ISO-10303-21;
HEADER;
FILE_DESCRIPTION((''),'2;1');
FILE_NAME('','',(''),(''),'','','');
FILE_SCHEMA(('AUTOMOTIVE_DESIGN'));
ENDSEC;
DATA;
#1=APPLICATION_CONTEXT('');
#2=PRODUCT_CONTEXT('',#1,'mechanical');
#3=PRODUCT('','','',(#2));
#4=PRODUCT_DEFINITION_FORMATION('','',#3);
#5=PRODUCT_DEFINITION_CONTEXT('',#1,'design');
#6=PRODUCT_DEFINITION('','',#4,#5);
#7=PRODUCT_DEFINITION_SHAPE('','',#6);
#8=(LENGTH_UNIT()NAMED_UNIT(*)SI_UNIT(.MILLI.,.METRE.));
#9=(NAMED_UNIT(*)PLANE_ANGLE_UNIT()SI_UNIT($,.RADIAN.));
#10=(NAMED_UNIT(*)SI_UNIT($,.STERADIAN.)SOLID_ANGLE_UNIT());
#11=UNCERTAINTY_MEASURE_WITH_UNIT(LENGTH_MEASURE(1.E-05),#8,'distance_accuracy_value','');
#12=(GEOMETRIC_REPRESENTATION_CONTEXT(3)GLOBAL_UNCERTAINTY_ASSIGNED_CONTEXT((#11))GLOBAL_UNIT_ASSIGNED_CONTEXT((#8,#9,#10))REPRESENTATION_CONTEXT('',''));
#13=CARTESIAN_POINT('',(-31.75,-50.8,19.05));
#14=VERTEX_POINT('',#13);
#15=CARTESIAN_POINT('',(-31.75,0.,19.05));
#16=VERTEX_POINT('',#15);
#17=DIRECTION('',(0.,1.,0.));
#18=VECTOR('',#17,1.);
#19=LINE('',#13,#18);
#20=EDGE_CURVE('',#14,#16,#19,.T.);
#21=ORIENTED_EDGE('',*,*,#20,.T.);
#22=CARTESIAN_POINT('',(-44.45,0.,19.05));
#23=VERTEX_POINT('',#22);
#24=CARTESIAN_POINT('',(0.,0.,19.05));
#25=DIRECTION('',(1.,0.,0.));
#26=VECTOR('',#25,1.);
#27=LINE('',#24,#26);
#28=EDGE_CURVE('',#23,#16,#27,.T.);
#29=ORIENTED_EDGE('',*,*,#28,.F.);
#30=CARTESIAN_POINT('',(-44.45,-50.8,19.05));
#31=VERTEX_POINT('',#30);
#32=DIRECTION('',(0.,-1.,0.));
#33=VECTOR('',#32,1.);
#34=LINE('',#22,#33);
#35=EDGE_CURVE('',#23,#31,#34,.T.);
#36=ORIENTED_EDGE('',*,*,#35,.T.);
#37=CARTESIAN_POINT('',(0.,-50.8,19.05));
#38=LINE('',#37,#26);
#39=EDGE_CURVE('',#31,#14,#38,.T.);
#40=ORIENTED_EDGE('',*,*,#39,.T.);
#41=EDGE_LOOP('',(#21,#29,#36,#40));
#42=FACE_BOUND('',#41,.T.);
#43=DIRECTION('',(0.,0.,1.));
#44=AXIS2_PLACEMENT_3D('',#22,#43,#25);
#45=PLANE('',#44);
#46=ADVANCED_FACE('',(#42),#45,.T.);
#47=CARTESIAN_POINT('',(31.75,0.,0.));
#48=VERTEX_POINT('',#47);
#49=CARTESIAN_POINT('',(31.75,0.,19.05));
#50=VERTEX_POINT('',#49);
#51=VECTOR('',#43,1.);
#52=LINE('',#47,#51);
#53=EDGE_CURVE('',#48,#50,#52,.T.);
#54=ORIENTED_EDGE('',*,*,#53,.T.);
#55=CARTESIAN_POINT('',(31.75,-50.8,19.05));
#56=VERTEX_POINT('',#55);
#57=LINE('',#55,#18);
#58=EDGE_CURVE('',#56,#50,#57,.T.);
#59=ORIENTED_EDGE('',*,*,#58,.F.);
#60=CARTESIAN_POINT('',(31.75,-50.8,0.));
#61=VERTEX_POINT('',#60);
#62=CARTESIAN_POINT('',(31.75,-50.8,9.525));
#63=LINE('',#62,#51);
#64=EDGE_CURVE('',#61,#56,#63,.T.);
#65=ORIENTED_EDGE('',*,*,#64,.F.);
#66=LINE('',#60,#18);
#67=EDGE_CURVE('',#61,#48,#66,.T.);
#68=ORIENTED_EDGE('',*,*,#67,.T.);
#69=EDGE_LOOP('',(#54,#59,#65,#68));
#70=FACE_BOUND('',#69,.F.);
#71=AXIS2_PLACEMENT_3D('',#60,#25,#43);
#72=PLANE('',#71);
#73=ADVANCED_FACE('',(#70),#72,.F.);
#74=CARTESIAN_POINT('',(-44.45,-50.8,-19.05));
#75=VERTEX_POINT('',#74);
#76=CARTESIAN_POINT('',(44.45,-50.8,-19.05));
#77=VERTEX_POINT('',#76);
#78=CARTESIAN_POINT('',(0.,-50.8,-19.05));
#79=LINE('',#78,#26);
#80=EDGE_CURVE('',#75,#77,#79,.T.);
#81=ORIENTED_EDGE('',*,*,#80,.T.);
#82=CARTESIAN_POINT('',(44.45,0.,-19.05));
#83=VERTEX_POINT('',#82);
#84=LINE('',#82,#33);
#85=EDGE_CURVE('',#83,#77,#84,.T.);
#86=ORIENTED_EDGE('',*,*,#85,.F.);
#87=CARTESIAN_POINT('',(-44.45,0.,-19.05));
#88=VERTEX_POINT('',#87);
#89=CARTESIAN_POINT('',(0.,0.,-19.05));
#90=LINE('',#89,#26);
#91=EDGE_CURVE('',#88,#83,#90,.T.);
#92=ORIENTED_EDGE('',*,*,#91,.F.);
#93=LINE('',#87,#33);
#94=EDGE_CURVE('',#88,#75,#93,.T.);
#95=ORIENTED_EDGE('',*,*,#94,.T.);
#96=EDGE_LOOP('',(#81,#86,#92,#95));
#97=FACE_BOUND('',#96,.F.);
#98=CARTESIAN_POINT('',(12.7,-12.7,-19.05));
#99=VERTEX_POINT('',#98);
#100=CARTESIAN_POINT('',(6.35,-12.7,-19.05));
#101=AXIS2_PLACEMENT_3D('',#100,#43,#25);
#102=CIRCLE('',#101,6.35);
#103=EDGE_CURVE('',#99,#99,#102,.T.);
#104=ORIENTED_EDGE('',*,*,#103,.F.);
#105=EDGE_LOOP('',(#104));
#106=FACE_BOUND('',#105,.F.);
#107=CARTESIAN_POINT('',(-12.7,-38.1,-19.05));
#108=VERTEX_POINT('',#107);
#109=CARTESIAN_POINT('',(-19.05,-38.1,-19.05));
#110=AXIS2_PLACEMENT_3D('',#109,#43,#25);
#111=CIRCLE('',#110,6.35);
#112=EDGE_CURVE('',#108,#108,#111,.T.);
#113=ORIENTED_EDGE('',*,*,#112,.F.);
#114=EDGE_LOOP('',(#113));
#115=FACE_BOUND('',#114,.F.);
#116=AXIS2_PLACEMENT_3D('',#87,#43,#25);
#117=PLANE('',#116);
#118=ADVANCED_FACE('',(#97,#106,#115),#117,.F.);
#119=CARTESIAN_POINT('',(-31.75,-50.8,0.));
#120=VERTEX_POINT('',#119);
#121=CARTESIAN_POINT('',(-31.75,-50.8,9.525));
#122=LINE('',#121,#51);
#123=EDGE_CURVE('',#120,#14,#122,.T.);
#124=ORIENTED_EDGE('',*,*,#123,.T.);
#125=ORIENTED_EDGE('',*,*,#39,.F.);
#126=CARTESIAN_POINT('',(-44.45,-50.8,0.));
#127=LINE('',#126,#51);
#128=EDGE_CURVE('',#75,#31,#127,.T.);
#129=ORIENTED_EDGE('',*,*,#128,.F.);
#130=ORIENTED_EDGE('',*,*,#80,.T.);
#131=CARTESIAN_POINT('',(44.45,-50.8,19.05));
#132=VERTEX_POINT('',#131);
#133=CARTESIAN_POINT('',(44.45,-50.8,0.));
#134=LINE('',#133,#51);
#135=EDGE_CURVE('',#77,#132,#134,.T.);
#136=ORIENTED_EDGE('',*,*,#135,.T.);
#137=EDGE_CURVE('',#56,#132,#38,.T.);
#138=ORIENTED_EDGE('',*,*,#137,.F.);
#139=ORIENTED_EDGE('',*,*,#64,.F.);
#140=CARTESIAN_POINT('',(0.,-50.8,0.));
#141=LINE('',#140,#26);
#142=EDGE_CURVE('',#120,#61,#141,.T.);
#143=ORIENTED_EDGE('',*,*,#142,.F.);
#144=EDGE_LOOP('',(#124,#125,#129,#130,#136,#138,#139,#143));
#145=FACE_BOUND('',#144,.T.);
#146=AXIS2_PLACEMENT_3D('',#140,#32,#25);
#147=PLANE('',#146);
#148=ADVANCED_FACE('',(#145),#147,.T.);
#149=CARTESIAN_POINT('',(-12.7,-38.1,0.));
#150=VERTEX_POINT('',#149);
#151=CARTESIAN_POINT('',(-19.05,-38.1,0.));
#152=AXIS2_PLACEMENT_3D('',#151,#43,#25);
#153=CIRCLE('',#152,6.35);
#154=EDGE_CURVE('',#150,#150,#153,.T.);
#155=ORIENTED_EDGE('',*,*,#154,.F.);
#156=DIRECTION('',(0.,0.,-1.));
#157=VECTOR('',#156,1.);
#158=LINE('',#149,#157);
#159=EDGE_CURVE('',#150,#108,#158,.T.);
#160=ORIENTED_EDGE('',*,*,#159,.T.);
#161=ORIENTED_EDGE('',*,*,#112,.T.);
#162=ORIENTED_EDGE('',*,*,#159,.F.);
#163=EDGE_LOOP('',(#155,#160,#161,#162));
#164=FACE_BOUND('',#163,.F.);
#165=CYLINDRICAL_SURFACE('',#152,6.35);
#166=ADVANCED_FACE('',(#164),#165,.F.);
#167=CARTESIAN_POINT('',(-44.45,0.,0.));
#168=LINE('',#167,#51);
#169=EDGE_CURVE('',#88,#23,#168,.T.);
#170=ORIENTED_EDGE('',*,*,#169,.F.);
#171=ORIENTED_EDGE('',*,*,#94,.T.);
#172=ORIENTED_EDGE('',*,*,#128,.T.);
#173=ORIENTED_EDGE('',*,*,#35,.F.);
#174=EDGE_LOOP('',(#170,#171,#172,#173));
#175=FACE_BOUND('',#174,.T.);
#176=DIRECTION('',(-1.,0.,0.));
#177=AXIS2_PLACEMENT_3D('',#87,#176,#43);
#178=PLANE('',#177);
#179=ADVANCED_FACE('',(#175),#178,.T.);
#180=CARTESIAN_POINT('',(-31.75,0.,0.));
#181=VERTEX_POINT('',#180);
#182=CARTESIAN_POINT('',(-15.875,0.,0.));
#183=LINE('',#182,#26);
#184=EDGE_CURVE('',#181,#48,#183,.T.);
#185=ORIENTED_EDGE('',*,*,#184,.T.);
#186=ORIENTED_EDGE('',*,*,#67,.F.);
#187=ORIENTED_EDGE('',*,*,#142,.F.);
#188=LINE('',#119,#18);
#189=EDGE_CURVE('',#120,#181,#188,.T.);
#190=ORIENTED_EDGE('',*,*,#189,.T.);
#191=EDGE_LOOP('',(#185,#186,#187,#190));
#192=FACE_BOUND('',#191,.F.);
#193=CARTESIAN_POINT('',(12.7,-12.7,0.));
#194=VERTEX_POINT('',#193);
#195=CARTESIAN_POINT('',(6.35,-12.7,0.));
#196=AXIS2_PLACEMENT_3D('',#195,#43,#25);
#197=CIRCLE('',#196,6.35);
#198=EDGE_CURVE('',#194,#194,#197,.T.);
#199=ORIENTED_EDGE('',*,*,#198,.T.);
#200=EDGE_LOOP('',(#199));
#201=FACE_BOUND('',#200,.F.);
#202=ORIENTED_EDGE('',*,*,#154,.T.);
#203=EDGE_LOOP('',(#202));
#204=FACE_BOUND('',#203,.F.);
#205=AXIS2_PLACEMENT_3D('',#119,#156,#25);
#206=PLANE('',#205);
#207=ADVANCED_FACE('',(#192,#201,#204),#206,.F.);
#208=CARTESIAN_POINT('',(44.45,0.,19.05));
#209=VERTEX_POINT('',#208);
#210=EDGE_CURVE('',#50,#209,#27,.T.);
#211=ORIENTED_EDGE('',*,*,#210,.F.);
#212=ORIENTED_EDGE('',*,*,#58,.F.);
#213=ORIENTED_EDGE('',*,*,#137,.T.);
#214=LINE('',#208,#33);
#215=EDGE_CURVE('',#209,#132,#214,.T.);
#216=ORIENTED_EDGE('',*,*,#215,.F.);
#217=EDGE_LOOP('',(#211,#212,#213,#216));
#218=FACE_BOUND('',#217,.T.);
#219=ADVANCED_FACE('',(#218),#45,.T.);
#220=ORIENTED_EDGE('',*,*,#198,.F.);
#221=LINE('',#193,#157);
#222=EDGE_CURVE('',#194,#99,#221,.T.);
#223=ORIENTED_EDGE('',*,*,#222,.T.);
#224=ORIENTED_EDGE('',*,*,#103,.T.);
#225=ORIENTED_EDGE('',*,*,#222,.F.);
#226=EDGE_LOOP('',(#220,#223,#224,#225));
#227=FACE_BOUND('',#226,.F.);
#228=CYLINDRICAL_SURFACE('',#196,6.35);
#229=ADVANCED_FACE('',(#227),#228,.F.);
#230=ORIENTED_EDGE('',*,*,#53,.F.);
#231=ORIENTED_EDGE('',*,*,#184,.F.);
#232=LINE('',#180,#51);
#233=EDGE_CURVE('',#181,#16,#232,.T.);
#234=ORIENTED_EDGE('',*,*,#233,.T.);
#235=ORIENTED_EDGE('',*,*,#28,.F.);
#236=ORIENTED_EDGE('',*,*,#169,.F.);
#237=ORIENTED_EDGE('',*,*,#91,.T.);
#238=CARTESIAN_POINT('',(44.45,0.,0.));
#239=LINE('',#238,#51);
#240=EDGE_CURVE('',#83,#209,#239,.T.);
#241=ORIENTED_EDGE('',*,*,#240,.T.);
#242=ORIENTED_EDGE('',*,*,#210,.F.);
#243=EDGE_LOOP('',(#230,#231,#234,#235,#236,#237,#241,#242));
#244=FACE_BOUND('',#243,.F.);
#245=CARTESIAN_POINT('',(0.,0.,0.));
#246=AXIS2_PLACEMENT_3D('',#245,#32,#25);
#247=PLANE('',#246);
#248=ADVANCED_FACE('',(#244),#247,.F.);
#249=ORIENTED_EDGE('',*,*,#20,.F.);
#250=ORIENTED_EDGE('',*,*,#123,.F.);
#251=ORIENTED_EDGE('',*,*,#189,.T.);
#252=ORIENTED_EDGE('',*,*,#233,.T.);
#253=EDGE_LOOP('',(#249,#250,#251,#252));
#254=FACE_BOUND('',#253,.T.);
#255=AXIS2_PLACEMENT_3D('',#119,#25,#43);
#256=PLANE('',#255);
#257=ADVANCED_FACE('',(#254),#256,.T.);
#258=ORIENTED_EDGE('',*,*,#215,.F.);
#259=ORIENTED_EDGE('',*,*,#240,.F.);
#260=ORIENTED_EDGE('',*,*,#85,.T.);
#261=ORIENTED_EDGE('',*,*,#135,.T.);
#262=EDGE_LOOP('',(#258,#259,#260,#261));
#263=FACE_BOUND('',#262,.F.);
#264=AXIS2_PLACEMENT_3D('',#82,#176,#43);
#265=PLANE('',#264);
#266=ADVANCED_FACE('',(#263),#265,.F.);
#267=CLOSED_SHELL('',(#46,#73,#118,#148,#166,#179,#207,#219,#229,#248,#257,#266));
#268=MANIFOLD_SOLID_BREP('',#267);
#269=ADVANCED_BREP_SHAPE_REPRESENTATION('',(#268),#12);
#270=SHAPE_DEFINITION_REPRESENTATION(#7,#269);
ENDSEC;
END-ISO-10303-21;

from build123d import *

# Parameters (mm, degrees)
F0_W     = 88.9
F0_H     = 38.1
F1_DEPTH = 50.8
F2_W     = 63.5
F2_H     = 19.05
F3_DEPTH = 50.801
F4_R     = 6.35
F5_DEPTH = 19.051
F6_R     = 6.35
F7_DEPTH = 19.051


with BuildPart() as f1:
    # F0 (on Front) → F1 (new body)
    with BuildSketch(Plane.XZ):
        Rectangle(F0_W, F0_H)
    extrude(amount=F1_DEPTH)

    # F2 (on face) → F3 (cut, through all)
    with BuildSketch(Plane.XZ.offset(50.8)):
        with Locations((0, 9.525)):
            Rectangle(F2_W, F2_H)
    extrude(amount=-F3_DEPTH, mode=Mode.SUBTRACT)

    # F4 (on face) → F5 (cut, through all)
    with BuildSketch(Plane.XY):
        with Locations((-19.05, -38.1)):
            Circle(F4_R)
    extrude(amount=-F5_DEPTH, mode=Mode.SUBTRACT)

    # F6 (on face) → F7 (cut, through all)
    with BuildSketch(Plane.XY):
        with Locations((6.35, -12.7)):
            Circle(F6_R)
    extrude(amount=-F7_DEPTH, mode=Mode.SUBTRACT)


solid = f1.part
